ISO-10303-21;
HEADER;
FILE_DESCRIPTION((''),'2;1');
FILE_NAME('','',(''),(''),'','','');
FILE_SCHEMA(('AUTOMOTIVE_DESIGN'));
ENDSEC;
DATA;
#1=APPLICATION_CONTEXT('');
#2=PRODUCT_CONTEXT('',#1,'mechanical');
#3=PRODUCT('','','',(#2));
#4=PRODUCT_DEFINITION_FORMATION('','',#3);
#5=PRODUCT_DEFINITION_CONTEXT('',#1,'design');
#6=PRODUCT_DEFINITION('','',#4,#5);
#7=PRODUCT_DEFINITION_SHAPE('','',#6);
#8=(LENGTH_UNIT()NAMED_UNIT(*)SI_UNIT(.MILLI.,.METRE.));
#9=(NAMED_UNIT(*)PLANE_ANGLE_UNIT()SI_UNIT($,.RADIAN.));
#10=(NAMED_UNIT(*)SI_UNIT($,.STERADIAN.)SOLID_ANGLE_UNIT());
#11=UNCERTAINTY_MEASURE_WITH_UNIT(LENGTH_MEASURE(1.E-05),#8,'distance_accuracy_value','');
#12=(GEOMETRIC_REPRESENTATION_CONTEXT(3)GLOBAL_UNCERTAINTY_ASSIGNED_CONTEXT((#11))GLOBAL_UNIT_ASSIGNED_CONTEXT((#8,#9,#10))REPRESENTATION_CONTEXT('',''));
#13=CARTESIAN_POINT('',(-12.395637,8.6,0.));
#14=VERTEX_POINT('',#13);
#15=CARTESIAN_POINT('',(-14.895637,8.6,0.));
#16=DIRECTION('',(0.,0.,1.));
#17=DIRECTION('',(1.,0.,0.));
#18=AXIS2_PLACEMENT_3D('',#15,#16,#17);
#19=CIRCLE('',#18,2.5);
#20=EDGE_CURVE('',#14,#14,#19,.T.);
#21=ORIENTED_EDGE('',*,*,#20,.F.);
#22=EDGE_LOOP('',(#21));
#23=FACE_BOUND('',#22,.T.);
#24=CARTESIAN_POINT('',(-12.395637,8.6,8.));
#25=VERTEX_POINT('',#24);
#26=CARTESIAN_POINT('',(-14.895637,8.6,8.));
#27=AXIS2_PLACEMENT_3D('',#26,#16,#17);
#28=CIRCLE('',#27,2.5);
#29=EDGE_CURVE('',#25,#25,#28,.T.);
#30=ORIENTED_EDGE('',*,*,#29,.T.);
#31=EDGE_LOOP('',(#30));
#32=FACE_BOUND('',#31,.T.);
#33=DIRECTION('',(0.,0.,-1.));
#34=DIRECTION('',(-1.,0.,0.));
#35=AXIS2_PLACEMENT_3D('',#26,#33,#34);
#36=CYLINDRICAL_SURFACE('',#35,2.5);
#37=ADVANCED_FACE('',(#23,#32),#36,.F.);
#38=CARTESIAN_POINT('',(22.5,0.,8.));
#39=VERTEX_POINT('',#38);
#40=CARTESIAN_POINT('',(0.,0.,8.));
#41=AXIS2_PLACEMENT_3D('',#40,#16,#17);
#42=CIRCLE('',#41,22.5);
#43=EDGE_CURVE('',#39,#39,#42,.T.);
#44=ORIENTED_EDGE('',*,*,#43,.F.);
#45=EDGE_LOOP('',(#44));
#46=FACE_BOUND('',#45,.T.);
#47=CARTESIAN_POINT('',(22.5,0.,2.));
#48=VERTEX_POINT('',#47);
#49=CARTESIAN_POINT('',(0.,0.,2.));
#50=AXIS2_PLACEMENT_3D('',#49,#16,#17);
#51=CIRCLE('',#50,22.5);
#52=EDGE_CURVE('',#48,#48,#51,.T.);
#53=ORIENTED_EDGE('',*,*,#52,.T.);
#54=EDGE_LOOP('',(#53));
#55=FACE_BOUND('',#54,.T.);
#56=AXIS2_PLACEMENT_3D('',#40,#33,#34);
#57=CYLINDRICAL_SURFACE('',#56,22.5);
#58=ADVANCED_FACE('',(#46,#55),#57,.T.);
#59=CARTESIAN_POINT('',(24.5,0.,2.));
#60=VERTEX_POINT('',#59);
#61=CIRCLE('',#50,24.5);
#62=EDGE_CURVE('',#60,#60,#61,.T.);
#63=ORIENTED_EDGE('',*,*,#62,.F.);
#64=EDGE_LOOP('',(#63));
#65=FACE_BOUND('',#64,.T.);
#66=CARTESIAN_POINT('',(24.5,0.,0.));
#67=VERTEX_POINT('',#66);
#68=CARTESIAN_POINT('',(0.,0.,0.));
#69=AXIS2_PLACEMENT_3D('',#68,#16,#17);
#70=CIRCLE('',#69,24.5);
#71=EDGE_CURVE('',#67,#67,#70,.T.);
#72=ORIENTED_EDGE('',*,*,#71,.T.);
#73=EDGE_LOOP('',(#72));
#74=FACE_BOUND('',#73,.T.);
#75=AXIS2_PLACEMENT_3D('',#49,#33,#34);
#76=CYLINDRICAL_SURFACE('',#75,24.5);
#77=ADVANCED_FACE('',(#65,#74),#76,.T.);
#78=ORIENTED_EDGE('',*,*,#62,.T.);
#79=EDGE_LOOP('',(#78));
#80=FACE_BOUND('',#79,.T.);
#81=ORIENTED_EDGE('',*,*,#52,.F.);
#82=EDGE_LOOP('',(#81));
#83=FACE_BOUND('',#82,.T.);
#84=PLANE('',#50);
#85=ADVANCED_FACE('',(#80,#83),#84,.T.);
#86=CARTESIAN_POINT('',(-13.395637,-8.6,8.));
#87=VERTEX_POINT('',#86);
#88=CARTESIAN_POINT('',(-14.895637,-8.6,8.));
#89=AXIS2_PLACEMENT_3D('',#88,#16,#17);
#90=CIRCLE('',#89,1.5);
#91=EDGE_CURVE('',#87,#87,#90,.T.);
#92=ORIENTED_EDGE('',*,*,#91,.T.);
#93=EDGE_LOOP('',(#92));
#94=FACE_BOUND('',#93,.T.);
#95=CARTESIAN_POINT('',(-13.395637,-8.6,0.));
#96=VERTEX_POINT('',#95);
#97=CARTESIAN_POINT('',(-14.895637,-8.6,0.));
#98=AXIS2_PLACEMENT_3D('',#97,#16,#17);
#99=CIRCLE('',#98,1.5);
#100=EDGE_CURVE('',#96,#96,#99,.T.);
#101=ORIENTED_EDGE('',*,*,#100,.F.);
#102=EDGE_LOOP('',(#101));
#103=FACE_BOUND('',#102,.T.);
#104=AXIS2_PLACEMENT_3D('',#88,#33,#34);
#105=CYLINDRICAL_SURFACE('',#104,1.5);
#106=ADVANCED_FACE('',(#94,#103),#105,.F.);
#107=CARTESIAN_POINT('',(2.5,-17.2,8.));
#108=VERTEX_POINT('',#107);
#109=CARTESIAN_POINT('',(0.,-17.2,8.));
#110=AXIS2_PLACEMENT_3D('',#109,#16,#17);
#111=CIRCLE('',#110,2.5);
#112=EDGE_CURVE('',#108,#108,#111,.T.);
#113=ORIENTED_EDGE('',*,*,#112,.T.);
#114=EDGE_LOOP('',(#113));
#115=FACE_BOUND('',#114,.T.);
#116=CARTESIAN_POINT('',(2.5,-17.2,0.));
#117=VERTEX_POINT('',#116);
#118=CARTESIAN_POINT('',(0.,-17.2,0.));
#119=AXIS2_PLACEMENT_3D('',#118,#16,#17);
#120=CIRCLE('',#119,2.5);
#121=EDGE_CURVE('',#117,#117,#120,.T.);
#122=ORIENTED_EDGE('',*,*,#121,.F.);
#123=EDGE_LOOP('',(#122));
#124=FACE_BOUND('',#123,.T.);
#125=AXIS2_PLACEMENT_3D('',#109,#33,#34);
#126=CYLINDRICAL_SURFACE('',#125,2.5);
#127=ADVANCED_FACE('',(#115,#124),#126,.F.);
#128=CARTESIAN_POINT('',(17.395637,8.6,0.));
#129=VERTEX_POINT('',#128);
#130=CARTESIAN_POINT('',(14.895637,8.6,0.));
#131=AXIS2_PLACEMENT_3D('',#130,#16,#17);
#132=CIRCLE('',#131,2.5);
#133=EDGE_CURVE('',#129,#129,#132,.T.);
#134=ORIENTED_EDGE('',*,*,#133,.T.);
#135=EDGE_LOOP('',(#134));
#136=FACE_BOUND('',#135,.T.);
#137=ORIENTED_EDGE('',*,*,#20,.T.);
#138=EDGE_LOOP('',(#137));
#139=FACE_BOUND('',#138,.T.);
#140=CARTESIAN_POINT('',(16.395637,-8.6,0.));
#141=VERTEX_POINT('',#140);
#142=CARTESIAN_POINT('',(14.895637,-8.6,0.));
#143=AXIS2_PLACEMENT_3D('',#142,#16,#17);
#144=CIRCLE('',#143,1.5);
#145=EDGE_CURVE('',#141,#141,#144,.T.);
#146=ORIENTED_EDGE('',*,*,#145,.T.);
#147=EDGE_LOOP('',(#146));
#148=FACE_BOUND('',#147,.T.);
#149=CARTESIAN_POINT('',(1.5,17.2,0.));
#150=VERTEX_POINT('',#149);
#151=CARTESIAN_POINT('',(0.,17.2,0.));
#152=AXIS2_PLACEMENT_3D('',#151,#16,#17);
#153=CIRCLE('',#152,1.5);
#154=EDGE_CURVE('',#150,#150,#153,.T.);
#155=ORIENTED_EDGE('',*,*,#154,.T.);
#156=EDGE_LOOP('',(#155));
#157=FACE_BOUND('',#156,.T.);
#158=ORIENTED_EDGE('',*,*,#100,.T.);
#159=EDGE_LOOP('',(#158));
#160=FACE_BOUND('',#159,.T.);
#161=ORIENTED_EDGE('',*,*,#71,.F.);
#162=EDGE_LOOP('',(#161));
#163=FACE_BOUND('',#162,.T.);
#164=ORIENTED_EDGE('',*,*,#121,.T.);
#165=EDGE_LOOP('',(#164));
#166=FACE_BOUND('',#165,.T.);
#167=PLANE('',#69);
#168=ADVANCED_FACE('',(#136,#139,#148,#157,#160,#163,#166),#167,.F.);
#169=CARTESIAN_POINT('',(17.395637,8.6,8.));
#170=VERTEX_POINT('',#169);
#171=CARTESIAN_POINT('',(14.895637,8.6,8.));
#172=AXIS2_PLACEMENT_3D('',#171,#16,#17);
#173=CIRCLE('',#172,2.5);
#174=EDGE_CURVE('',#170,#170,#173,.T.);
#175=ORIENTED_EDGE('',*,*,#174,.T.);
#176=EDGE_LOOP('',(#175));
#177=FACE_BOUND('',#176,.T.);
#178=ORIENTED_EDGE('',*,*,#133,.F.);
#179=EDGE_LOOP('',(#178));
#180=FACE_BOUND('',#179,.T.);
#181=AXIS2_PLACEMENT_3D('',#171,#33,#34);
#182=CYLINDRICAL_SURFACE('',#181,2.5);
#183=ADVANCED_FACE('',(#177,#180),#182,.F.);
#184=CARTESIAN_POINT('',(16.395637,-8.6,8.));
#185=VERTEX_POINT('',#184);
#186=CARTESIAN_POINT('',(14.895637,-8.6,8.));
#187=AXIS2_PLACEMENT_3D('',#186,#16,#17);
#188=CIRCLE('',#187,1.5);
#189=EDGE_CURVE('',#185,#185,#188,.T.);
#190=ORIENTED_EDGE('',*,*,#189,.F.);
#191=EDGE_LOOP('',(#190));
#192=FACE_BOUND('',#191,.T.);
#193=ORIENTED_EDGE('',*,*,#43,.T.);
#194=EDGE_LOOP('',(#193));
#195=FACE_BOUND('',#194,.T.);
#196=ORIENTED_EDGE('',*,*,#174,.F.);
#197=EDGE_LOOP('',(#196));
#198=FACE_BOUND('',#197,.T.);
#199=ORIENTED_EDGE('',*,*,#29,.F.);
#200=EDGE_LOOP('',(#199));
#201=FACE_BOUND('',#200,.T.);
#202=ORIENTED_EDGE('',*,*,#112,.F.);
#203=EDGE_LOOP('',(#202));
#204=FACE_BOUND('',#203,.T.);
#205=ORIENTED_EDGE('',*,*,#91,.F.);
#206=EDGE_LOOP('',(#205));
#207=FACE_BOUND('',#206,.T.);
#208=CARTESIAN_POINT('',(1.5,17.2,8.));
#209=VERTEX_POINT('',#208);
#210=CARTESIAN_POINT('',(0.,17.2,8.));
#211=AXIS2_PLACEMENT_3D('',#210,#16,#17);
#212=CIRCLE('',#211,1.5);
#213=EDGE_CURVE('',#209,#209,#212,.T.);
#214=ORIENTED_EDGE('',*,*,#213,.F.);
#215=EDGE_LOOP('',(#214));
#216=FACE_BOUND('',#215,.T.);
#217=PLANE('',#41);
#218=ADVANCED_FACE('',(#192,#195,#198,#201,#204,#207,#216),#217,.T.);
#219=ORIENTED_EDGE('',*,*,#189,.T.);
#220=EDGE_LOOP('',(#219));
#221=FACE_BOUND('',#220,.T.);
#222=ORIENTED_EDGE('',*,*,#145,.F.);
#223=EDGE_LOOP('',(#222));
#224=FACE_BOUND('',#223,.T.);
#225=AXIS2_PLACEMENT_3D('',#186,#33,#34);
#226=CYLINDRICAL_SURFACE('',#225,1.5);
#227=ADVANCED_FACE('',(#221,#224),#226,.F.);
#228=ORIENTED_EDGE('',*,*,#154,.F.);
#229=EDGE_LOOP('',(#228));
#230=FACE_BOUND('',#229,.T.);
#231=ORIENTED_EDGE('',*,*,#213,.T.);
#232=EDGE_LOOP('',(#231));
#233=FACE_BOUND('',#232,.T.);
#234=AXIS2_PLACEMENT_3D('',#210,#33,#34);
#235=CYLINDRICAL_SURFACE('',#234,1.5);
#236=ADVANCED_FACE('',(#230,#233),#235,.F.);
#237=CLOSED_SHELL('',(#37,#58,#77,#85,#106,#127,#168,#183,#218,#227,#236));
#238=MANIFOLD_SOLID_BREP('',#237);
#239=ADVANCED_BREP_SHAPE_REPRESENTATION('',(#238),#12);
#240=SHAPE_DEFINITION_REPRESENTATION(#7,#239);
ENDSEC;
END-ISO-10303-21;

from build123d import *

# Parameters (mm, degrees)
SKETCH1_R           = 24.5
SKETCH1_R_2         = 22.5
BOSS_EXTRUDE1_DEPTH = 2
SKETCH1_3_R         = 22.5
SKETCH1_3_R_2       = 2.5
SKETCH1_3_R_3       = 1.5
BOSS_EXTRUDE2_DEPTH = 8


with BuildPart() as part:
    # Sketch1 → Boss-Extrude1 (new body)
    with BuildSketch(Plane.XY):
        Circle(SKETCH1_R)
        Circle(SKETCH1_R_2, mode=Mode.SUBTRACT)
    extrude(amount=BOSS_EXTRUDE1_DEPTH)

    # Sketch1<3> → Boss-Extrude2 (add)
    with BuildSketch(Plane.XY):
        Circle(SKETCH1_3_R)
        with Locations((14.895636945, 8.6)):
            Circle(SKETCH1_3_R_2, mode=Mode.SUBTRACT)
        with Locations((-14.895636945, 8.6)):
            Circle(SKETCH1_3_R_2, mode=Mode.SUBTRACT)
        with Locations((0, -17.2)):
            Circle(SKETCH1_3_R_2, mode=Mode.SUBTRACT)
        with Locations((-14.895636945, -8.6)):
            Circle(SKETCH1_3_R_3, mode=Mode.SUBTRACT)
        with Locations((14.895636945, -8.6)):
            Circle(SKETCH1_3_R_3, mode=Mode.SUBTRACT)
        with Locations((0, 17.2)):
            Circle(SKETCH1_3_R_3, mode=Mode.SUBTRACT)
    extrude(amount=BOSS_EXTRUDE2_DEPTH)


solid = part.part
